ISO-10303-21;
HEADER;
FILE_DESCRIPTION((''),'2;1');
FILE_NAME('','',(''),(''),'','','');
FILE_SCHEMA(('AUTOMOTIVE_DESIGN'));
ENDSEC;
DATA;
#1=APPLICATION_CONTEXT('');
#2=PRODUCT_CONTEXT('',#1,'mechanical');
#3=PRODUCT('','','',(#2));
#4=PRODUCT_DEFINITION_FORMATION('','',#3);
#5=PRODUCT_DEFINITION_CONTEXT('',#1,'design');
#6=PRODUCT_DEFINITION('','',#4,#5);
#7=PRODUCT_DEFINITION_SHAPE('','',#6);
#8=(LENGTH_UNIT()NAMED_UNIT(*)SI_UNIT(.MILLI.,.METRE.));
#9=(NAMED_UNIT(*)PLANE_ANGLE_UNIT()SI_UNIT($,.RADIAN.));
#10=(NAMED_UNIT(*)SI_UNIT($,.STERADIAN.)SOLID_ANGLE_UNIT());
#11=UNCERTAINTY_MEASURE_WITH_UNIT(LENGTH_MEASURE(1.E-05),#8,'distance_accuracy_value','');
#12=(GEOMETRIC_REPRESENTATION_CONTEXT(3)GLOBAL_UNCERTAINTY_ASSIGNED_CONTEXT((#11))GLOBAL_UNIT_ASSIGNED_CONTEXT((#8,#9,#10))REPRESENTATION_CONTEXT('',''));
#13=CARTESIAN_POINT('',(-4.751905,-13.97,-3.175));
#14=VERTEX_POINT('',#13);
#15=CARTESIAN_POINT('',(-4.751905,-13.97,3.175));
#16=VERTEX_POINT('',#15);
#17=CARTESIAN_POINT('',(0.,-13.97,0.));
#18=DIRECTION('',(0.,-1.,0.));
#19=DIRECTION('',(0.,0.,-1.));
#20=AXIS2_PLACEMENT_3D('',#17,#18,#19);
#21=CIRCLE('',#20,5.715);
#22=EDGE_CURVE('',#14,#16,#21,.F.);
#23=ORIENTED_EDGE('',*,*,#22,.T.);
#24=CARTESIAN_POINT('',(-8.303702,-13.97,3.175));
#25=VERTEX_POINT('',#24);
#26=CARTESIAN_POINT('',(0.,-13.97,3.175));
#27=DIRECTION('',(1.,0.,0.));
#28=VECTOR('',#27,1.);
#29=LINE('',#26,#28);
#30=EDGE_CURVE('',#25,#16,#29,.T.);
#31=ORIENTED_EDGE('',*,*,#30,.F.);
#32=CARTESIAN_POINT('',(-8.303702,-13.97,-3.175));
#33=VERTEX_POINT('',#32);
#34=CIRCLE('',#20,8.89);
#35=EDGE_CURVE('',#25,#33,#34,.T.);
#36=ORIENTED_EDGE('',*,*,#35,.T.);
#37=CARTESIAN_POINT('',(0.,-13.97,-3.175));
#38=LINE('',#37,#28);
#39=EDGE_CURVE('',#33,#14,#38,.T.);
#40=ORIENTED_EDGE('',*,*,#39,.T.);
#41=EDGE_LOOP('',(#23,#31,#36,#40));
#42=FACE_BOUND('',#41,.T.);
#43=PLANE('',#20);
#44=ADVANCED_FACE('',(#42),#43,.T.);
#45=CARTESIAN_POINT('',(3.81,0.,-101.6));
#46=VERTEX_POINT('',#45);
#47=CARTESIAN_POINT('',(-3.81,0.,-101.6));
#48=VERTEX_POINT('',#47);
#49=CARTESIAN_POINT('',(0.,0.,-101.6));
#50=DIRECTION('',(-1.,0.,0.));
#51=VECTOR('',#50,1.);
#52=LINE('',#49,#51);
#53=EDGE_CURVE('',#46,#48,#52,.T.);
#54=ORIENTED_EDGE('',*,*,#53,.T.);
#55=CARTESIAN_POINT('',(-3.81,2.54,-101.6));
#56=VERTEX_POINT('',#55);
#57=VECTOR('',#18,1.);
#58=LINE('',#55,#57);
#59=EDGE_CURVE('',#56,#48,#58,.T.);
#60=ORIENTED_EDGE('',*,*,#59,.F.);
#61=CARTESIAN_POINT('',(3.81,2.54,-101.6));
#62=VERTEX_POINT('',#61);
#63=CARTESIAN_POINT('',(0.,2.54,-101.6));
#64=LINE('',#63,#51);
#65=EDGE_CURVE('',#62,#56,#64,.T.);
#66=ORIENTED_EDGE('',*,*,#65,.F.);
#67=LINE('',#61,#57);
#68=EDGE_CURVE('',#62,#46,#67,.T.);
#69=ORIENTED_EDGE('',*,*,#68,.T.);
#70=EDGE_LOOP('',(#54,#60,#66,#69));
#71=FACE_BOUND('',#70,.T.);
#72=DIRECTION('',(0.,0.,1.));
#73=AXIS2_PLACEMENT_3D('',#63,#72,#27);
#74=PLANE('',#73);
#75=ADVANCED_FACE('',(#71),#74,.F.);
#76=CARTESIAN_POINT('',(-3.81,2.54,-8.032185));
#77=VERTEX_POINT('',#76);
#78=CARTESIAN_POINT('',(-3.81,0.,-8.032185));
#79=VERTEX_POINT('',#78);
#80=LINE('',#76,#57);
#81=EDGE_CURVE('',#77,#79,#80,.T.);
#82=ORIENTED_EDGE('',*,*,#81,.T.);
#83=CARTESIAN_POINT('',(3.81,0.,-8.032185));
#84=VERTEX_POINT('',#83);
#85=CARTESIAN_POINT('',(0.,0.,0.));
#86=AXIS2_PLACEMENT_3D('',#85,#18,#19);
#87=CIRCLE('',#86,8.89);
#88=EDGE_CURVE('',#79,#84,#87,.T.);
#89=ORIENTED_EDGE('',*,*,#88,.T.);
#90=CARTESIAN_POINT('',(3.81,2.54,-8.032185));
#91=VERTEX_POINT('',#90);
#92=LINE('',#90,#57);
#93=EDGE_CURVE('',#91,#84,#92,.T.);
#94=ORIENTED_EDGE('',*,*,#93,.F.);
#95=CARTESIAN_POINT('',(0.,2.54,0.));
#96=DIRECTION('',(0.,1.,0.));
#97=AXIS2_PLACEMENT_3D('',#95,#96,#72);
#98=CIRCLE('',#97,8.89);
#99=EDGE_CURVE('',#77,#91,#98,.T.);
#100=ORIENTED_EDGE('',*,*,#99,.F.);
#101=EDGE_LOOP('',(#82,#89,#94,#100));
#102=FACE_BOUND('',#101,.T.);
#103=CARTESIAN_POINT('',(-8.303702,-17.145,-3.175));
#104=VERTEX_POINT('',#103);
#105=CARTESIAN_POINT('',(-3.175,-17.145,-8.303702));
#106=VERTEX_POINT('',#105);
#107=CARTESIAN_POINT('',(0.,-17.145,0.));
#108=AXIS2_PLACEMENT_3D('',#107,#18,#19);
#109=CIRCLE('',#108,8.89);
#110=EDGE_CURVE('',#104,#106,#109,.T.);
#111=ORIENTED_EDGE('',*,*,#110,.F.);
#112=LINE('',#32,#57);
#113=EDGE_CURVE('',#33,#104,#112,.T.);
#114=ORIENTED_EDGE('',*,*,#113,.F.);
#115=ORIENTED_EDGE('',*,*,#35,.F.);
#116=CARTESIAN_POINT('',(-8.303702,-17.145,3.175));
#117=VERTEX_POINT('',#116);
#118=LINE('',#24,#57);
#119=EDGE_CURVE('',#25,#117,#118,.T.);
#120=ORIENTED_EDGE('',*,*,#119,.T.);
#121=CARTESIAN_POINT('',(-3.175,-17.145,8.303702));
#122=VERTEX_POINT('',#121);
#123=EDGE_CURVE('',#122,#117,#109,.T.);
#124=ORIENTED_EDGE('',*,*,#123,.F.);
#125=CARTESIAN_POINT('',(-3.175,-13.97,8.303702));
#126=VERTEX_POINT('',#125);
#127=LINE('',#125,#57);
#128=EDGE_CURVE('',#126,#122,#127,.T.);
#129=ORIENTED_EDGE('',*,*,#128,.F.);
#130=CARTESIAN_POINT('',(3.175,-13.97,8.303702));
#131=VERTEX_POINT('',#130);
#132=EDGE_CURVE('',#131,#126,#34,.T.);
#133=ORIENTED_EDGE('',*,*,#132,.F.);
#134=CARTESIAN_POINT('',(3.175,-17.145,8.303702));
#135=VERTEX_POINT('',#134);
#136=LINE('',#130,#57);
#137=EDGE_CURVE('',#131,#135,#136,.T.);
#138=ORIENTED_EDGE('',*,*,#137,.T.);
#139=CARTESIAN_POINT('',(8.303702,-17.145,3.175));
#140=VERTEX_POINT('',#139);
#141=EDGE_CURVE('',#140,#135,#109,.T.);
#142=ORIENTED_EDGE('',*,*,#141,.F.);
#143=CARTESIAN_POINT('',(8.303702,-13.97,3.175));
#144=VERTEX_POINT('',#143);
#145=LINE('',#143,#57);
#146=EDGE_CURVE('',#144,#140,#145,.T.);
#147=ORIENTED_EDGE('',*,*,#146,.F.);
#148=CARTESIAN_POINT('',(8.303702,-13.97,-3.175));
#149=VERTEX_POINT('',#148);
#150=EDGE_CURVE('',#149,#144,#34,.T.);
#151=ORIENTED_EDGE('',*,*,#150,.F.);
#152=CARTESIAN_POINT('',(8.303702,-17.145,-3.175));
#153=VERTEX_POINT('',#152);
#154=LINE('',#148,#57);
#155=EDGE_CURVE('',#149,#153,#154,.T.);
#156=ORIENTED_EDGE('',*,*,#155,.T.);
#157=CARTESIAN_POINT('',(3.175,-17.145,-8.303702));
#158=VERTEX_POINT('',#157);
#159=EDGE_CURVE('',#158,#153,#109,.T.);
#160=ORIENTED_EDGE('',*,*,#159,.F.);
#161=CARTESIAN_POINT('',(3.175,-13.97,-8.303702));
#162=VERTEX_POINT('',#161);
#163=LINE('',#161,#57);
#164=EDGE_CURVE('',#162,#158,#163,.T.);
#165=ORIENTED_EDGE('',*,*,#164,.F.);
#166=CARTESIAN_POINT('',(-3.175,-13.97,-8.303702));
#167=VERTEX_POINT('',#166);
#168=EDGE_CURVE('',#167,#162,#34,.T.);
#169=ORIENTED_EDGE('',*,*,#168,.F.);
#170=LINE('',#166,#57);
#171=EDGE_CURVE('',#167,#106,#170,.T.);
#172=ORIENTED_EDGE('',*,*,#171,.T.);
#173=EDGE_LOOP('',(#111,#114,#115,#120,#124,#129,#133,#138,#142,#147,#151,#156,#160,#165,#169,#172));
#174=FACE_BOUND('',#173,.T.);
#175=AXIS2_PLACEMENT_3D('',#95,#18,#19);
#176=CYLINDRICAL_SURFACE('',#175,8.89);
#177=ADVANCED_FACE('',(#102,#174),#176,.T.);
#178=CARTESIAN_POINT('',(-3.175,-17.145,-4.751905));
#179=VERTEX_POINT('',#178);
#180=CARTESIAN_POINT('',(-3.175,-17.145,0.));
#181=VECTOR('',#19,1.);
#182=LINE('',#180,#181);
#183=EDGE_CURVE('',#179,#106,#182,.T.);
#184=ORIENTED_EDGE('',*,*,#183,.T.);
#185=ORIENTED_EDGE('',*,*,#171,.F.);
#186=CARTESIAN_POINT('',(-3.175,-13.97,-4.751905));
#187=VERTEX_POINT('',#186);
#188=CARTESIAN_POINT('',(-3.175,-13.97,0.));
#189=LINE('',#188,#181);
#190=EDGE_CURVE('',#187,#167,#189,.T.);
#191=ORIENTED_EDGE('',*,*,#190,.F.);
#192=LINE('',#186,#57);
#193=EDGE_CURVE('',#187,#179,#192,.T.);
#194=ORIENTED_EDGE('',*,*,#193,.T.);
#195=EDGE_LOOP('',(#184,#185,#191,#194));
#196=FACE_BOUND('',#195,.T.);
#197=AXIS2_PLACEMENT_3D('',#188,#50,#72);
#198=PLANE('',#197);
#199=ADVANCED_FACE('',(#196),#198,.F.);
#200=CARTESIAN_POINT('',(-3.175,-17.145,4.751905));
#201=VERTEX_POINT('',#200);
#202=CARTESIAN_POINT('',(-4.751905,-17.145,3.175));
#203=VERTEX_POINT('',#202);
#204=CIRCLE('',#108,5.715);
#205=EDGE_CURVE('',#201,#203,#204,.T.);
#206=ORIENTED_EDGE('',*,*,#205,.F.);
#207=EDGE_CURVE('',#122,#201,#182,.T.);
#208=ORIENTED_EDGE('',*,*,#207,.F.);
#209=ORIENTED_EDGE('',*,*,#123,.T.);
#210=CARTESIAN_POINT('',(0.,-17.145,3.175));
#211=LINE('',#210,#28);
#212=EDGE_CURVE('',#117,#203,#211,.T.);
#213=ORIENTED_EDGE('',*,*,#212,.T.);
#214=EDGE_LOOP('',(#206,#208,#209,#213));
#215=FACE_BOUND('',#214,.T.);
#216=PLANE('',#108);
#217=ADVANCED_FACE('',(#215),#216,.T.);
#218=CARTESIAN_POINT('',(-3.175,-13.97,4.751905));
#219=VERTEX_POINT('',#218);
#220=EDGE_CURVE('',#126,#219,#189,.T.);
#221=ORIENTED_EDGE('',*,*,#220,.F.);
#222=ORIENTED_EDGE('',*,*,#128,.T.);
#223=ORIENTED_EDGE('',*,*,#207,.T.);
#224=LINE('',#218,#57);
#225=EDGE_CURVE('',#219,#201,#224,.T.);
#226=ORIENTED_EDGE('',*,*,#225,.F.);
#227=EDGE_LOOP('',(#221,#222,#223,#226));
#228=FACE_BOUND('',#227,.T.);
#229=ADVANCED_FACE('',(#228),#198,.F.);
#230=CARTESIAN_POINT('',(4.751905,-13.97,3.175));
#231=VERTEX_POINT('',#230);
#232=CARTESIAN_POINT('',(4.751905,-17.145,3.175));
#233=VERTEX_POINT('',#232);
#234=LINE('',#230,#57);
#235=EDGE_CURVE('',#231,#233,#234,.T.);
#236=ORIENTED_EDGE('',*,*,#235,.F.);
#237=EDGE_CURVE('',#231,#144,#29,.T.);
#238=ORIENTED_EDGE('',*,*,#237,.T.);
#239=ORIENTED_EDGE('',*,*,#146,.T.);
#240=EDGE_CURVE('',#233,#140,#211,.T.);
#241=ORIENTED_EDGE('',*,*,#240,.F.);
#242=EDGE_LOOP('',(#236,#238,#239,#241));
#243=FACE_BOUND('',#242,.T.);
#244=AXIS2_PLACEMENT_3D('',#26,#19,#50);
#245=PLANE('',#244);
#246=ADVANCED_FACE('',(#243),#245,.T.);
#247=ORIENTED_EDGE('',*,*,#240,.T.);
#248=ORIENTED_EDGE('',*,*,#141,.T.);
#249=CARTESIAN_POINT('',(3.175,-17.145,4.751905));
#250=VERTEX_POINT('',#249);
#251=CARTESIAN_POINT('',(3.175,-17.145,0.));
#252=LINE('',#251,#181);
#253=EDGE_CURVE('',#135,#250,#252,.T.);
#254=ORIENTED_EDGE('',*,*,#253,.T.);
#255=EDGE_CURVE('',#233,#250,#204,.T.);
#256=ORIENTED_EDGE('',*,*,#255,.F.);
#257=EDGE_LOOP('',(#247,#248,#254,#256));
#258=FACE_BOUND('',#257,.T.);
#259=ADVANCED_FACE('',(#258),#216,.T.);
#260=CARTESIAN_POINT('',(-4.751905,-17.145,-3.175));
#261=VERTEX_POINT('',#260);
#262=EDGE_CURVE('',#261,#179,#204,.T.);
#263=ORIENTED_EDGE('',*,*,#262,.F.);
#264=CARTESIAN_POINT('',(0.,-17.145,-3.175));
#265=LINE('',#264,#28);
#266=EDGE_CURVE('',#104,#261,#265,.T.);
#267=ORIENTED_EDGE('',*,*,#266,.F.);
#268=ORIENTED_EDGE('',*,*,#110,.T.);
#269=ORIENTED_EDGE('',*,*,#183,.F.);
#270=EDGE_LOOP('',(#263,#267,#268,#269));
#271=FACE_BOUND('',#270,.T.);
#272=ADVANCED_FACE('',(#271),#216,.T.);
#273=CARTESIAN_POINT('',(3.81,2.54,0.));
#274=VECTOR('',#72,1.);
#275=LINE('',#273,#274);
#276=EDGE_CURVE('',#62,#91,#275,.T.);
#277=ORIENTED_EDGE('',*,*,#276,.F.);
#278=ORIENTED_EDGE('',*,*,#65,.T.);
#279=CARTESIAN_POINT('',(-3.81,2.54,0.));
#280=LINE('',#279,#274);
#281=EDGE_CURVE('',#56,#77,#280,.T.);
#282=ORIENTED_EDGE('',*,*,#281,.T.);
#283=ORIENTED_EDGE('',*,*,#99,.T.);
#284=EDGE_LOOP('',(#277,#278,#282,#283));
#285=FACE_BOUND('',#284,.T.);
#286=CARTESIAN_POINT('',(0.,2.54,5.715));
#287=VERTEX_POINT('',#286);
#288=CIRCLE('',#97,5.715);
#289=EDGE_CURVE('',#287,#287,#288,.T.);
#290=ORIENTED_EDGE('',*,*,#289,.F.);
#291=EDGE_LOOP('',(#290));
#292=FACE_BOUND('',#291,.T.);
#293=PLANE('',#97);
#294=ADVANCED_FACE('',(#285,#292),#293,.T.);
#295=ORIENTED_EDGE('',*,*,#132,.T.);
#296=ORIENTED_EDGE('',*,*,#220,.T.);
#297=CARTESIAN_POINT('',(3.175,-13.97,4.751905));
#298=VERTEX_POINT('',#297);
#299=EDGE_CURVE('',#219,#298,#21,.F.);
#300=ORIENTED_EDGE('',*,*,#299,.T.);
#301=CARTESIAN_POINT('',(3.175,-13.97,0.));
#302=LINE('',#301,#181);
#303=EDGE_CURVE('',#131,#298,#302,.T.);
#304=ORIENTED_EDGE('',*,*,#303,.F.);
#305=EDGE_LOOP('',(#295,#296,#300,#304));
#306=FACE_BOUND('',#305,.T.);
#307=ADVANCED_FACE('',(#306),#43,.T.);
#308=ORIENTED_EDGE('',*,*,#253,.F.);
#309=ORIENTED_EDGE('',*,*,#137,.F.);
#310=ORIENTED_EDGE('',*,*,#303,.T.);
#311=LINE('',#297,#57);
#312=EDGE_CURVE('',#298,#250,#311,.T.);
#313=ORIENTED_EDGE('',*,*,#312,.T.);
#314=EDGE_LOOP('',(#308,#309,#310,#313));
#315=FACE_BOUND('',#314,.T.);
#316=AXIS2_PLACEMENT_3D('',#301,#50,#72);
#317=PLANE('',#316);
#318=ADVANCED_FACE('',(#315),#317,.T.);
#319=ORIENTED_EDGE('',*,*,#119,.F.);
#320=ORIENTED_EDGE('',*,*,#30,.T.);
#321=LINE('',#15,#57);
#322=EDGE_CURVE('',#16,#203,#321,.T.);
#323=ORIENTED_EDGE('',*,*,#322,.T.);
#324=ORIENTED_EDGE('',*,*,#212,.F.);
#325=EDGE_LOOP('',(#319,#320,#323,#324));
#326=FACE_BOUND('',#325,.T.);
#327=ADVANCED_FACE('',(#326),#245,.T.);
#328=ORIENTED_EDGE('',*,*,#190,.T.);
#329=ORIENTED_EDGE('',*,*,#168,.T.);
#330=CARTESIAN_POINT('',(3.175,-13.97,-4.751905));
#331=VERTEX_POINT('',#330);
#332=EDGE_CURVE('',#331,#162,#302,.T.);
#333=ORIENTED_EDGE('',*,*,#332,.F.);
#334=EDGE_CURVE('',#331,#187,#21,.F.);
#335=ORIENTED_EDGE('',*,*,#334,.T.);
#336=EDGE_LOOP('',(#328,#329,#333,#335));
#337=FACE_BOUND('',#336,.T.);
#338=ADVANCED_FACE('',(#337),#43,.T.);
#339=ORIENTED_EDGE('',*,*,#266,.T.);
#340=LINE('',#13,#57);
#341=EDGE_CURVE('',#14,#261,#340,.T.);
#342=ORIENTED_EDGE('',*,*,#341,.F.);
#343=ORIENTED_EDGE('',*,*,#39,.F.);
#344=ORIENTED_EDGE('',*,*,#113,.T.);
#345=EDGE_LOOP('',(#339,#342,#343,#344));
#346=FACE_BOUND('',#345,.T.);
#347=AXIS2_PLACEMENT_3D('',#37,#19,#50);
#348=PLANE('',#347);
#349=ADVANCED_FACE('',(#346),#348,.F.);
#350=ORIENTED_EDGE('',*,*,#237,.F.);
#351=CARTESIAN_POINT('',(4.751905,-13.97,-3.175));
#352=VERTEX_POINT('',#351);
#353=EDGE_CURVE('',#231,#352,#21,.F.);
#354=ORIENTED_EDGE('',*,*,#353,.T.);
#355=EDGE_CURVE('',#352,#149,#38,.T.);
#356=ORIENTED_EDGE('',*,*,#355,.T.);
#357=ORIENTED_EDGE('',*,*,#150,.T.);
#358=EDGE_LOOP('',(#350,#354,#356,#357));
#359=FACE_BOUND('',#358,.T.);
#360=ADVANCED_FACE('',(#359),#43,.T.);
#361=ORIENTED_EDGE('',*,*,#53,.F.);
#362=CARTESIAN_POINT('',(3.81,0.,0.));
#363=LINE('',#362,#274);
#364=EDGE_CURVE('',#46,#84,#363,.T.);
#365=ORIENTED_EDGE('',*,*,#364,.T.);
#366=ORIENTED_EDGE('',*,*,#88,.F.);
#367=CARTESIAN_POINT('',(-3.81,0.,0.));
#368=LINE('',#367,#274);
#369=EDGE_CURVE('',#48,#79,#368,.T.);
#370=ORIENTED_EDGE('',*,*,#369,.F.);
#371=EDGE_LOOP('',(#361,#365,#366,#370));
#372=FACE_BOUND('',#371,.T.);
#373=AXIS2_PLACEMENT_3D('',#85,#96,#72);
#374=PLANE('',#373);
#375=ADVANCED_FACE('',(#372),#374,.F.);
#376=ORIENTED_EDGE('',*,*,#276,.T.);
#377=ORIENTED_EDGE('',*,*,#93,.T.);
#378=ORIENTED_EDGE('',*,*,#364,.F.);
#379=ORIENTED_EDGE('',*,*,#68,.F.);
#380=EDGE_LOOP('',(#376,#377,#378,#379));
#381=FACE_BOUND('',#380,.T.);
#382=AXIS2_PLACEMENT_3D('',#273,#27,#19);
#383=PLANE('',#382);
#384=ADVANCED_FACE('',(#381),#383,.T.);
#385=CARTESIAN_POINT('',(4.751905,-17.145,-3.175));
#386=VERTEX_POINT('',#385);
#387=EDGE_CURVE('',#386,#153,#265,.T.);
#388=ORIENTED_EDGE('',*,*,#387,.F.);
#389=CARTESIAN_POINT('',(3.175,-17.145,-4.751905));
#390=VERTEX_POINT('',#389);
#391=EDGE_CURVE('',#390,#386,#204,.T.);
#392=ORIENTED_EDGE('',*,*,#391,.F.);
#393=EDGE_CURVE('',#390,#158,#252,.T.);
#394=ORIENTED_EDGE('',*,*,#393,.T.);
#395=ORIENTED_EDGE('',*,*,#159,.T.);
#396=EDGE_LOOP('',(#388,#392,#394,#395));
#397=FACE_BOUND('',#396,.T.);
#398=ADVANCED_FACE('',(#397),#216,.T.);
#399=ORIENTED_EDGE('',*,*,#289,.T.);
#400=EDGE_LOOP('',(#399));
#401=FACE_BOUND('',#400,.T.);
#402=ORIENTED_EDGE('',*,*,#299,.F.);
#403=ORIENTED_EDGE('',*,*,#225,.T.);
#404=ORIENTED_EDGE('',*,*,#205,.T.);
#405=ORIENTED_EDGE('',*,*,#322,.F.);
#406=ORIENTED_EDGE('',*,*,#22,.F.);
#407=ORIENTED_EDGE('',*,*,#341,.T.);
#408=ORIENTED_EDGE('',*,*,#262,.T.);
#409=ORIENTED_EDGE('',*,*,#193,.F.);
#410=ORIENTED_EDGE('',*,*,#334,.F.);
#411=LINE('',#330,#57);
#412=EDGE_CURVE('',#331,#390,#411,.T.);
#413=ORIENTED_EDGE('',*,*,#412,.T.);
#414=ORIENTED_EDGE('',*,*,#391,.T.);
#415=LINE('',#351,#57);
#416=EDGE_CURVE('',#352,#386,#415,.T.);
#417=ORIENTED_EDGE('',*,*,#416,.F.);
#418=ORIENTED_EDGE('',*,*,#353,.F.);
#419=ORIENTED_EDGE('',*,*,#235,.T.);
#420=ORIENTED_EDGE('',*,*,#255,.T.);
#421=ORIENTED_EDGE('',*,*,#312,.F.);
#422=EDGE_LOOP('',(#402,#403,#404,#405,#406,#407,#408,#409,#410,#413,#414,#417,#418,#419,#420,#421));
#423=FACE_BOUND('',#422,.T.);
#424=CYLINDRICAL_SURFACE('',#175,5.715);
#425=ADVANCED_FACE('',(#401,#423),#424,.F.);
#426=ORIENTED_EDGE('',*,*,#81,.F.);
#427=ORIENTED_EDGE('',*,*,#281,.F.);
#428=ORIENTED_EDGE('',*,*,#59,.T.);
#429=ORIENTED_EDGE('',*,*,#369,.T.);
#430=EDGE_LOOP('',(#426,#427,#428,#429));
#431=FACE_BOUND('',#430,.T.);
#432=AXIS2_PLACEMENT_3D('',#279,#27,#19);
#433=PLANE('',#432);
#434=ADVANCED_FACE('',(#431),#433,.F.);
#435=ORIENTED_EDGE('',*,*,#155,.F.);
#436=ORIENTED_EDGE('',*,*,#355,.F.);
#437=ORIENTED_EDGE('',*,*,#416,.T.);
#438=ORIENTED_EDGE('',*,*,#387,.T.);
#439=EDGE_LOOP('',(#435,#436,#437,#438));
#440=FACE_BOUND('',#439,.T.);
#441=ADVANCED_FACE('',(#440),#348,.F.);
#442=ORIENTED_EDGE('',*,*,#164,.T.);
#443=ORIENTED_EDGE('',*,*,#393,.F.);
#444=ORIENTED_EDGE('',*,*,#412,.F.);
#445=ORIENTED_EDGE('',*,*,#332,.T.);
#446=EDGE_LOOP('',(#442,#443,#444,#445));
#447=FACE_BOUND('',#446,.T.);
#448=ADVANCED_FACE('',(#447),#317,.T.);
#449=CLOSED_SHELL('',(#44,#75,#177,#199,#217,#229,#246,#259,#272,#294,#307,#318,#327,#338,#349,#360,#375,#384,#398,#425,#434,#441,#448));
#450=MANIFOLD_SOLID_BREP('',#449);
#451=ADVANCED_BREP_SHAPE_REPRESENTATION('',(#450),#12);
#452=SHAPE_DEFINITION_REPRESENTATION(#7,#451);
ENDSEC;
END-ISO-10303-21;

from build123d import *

# Parameters (mm, degrees)
BOSS_EXTRUDE1_DEPTH = 2.54
BOSS_EXTRUDE2_START = 17.145
SKETCH3_R           = 8.89
SKETCH3_R_2         = 5.715
BOSS_EXTRUDE2_DEPTH = 17.145
CUT_EXTRUDE1_DEPTH  = 3.175


with BuildPart() as part:
    # Sketch2 → Boss-Extrude1 (new body)
    with BuildSketch(Plane(origin=(0, 0, 0), x_dir=(1, 0, 0), z_dir=(0, 1, 0))):
        with BuildLine():
            Line((3.81, 8.032185257), (3.81, 101.6))
            Line((3.81, 101.6), (-3.81, 101.6))
            Line((-3.81, 101.6), (-3.81, 8.032185257))
            ThreePointArc((-3.81, 8.032185257), (0, 8.89), (3.81, 8.032185257))
        make_face()
        with BuildLine():
            ThreePointArc((8.89, 0), (7.513421325, 4.751904881), (3.81, 8.032185257))
            Line((3.81, 8.032185257), (3.81, 4.259709497))
            ThreePointArc((3.81, 4.259709497), (5.21705736, 2.33313898), (5.715, 0))
            ThreePointArc((5.715, 0), (-2.33313898, -5.21705736), (-3.81, 4.259709497))
            Line((-3.81, 4.259709497), (-3.81, 8.032185257))
            ThreePointArc((-3.81, 8.032185257), (-4.751904881, -7.513421325), (8.89, 0))
        make_face()
        with BuildLine():
            Line((3.81, 4.259709497), (3.81, 8.032185257))
            ThreePointArc((3.81, 8.032185257), (0, 8.89), (-3.81, 8.032185257))
            Line((-3.81, 8.032185257), (-3.81, 4.259709497))
            ThreePointArc((-3.81, 4.259709497), (0, 5.715), (3.81, 4.259709497))
        make_face()
    extrude(amount=BOSS_EXTRUDE1_DEPTH)

    # Sketch3 → Boss-Extrude2 (add)
    with BuildSketch(Plane.XZ.offset(BOSS_EXTRUDE2_START)):
        with Locations(Location((0, 0, 0), (0, 0, 270))):
            Circle(SKETCH3_R)
        with Locations(Location((0, 0, 0), (0, 0, 270))):
            Circle(SKETCH3_R_2, mode=Mode.SUBTRACT)
    extrude(amount=-BOSS_EXTRUDE2_DEPTH)

    # Sketch4 → Cut-Extrude1 (cut)
    with BuildSketch(Plane.XZ.offset(17.145)):
        with BuildLine():
            Line((-4.751904881, 3.175), (-8.303702487, 3.175))
            ThreePointArc((-8.303702487, 3.175), (-8.89, 0), (-8.303702487, -3.175))
            Line((-8.303702487, -3.175), (-4.751904881, -3.175))
            ThreePointArc((-4.751904881, -3.175), (-5.715, 0), (-4.751904881, 3.175))
        make_face()
        with BuildLine():
            ThreePointArc((8.89, 0), (8.742196953, 1.614339631), (8.303702487, 3.175))
            Line((8.303702487, 3.175), (4.751904881, 3.175))
            ThreePointArc((4.751904881, 3.175), (5.468928661, 1.658928661), (5.715, 0))
            ThreePointArc((5.715, 0), (5.468928661, -1.658928661), (4.751904881, -3.175))
            Line((4.751904881, -3.175), (8.303702487, -3.175))
            ThreePointArc((8.303702487, -3.175), (8.742196953, -1.614339631), (8.89, 0))
        make_face()
        with BuildLine():
            ThreePointArc((3.175, 8.303702487), (0, 8.89), (-3.175, 8.303702487))
            Line((-3.175, 8.303702487), (-3.175, 4.751904881))
            ThreePointArc((-3.175, 4.751904881), (0, 5.715), (3.175, 4.751904881))
            Line((3.175, 4.751904881), (3.175, 8.303702487))
        make_face()
        with BuildLine():
            Line((-3.175, -4.751904881), (-3.175, -8.303702487))
            ThreePointArc((-3.175, -8.303702487), (0, -8.89), (3.175, -8.303702487))
            Line((3.175, -8.303702487), (3.175, -4.751904881))
            ThreePointArc((3.175, -4.751904881), (0, -5.715), (-3.175, -4.751904881))
        make_face()
    extrude(amount=-CUT_EXTRUDE1_DEPTH, mode=Mode.SUBTRACT)


solid = part.part
